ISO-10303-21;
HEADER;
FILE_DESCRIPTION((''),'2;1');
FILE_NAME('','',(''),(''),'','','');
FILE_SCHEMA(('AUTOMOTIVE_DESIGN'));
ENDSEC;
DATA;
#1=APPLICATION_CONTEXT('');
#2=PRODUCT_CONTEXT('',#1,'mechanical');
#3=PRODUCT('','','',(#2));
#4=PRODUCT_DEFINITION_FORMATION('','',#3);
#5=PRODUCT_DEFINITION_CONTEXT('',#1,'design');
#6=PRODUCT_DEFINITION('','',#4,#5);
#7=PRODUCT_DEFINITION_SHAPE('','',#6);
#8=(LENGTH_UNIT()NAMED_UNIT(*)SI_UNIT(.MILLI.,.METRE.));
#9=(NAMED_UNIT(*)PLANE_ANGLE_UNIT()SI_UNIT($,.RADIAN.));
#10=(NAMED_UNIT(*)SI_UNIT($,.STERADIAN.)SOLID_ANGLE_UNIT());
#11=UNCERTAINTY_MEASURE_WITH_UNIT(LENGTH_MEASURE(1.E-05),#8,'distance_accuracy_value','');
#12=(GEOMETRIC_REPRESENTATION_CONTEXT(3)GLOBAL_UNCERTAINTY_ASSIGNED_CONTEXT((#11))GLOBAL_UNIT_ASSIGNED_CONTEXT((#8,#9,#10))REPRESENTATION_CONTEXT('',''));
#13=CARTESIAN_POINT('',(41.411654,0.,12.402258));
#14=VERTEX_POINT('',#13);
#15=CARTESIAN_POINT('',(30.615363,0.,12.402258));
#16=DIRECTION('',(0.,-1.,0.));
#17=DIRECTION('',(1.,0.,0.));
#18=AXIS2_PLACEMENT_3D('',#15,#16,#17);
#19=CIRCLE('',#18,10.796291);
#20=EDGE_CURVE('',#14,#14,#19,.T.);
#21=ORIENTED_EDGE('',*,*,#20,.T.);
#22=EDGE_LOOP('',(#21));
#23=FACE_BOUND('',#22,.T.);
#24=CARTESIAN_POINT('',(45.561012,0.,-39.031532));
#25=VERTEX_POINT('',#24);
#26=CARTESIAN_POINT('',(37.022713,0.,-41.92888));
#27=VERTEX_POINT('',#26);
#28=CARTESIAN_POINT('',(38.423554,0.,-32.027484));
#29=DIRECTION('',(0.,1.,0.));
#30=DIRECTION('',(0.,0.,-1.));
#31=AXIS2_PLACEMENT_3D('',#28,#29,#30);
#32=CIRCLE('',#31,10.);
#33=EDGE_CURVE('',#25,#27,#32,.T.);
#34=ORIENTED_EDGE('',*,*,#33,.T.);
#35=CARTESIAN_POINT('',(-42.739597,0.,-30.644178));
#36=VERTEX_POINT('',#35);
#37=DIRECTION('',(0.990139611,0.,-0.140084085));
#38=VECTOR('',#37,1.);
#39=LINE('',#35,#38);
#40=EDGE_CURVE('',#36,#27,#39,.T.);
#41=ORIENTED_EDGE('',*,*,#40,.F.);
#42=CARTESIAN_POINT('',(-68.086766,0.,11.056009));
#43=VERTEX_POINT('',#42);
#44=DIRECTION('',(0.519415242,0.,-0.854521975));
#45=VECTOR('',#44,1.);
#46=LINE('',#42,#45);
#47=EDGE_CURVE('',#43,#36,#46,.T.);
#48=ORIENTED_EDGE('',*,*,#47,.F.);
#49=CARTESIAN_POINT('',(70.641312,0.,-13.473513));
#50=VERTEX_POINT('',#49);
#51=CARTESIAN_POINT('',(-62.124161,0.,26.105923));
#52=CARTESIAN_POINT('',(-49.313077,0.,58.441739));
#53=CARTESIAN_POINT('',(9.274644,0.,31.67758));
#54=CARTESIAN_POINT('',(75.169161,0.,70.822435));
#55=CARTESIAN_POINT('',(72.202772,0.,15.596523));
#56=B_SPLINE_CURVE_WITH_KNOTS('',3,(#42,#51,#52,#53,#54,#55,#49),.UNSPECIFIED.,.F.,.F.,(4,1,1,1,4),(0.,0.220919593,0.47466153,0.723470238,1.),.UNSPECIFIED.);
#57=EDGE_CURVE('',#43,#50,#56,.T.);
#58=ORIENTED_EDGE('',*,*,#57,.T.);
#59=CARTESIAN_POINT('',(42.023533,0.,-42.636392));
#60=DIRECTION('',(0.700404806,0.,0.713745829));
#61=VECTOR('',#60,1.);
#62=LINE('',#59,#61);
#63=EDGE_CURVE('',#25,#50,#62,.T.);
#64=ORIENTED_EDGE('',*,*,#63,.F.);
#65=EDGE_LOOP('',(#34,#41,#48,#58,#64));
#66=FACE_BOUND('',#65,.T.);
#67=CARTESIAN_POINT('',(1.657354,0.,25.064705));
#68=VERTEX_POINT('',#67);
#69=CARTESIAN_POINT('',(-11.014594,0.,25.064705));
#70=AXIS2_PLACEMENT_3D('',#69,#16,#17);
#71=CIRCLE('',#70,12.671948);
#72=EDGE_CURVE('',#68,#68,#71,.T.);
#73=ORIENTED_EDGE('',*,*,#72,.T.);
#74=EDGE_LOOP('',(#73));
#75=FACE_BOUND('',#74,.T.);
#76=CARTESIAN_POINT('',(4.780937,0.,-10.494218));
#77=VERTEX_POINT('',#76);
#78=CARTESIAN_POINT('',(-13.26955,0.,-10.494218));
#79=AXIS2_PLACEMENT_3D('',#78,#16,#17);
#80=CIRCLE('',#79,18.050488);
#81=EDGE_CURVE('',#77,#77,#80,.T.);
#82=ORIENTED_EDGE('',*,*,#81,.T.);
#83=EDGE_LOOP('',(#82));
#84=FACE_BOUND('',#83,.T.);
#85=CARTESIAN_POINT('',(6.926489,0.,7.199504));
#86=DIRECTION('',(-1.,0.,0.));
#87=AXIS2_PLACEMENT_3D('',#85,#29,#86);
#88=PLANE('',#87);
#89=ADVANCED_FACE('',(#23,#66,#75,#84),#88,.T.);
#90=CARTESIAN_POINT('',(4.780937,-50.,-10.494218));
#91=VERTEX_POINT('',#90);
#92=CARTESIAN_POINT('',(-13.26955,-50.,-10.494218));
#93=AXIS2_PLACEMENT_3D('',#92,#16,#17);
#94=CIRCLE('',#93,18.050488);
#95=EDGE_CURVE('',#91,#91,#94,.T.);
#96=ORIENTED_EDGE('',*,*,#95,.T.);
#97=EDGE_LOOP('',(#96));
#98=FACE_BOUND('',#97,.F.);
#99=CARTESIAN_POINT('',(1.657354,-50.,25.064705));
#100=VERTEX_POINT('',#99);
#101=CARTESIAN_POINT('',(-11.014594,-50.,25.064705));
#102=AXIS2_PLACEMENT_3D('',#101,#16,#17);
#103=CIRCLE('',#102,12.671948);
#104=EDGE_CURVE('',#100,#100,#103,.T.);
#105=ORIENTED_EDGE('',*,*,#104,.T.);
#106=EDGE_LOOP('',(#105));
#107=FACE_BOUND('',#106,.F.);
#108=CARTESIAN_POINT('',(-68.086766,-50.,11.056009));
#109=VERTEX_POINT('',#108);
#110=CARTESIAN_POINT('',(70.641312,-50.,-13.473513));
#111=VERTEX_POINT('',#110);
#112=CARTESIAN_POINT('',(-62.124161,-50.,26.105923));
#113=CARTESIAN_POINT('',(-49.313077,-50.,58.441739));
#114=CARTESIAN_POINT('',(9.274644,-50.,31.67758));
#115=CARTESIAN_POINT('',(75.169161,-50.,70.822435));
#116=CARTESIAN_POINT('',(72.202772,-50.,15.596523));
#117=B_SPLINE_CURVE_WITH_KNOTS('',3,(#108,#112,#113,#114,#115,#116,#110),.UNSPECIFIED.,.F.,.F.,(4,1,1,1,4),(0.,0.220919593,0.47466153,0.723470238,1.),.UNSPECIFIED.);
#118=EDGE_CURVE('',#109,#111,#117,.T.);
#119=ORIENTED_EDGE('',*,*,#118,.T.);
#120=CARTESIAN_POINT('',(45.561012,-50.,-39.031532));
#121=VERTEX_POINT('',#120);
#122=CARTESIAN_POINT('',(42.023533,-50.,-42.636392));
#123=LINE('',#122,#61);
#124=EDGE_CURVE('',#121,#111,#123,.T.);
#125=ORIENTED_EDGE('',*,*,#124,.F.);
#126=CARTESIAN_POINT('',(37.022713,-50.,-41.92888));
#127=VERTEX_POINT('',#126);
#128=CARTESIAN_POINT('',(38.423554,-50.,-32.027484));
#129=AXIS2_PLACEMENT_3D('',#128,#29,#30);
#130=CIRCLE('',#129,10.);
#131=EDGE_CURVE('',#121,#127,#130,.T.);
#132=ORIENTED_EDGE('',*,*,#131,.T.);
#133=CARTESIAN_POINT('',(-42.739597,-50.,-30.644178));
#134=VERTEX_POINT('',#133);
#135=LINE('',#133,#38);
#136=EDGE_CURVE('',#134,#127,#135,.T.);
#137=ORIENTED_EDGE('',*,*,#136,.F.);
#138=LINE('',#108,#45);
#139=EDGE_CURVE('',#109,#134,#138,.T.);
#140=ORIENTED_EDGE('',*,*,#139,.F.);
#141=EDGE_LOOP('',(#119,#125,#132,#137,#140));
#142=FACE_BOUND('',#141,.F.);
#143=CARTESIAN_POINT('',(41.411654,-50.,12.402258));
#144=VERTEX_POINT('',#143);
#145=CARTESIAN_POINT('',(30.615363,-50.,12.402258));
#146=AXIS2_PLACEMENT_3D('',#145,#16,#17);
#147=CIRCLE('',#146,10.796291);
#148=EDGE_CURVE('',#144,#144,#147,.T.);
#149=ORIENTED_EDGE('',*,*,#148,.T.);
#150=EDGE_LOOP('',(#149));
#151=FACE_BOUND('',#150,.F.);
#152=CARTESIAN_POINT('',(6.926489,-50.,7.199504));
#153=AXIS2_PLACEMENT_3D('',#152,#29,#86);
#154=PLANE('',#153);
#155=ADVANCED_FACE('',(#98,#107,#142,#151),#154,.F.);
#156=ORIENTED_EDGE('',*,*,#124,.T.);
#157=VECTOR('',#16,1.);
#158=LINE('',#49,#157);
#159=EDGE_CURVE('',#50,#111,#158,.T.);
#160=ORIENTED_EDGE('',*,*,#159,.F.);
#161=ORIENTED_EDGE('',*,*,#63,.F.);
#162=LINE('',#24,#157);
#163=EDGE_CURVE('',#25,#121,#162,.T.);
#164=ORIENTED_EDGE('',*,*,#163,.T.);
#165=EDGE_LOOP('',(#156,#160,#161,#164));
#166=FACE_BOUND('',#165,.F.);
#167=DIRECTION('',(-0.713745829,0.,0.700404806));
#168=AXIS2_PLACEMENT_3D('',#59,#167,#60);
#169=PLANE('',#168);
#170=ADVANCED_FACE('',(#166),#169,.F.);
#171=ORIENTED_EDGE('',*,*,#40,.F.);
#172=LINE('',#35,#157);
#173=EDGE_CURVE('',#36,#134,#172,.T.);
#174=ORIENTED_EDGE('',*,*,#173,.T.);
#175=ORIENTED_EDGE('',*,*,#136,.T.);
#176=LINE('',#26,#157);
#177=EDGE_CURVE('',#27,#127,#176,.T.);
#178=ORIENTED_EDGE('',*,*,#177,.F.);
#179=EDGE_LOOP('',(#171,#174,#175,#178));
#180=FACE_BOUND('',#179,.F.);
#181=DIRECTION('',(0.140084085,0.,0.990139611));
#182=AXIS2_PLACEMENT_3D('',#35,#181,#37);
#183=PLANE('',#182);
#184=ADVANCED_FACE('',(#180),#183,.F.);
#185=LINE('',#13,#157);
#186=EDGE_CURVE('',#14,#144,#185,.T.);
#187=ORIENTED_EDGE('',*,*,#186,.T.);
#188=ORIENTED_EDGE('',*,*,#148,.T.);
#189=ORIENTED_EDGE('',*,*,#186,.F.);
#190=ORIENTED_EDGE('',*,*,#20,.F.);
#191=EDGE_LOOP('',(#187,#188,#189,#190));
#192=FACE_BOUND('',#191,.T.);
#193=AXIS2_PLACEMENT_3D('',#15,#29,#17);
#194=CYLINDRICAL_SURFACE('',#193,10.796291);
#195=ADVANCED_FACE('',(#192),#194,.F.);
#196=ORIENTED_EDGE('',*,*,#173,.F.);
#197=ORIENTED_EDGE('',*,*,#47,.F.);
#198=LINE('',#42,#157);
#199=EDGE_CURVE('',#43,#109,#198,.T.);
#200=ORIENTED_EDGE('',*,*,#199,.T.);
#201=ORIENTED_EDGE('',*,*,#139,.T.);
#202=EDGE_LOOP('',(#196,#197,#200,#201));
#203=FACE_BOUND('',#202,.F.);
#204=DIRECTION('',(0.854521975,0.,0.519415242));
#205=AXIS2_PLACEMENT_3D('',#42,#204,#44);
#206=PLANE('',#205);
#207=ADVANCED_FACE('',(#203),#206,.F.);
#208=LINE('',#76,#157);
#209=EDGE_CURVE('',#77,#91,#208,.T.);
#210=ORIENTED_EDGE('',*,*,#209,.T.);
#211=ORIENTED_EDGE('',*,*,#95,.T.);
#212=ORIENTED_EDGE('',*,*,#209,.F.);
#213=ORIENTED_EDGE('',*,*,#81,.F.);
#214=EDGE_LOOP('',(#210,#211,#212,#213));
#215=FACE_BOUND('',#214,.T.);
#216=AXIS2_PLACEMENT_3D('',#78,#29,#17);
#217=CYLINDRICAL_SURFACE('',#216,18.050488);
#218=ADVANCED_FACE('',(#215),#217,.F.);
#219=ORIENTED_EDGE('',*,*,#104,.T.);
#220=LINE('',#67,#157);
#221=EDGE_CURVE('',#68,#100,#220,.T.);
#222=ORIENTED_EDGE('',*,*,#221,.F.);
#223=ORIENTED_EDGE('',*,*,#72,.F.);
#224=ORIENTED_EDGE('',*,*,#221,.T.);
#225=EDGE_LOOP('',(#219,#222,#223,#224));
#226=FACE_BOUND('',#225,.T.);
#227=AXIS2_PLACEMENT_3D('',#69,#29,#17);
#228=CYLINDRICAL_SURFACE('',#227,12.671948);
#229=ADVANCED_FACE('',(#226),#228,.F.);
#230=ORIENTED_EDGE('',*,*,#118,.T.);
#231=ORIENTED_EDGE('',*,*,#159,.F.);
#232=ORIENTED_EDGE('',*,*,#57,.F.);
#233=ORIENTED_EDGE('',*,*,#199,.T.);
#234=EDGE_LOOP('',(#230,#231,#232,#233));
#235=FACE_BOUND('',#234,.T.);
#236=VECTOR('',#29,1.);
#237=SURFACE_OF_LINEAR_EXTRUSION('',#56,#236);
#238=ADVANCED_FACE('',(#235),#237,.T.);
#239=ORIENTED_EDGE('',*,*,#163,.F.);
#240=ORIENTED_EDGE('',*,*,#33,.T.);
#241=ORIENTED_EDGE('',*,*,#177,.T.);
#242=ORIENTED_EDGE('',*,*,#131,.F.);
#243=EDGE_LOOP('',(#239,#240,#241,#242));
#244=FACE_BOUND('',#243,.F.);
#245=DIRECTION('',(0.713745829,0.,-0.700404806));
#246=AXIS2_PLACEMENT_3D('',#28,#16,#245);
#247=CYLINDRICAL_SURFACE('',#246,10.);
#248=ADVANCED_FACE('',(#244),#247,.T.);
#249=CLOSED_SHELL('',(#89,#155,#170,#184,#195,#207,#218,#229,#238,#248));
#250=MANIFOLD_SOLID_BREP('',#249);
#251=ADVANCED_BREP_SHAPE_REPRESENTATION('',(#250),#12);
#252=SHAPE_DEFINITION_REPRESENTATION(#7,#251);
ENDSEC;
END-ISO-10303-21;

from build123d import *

# Parameters (mm, degrees)
F0_R     = 18.050487637
F0_R_2   = 10.7962905291
F0_R_3   = 12.6719479167
F1_DEPTH = 50
F2_R     = 10


with BuildPart() as f1:
    # F0 (on Front) → F1 (new body)
    with BuildSketch(Plane.XZ):
        with BuildLine():
            add(Edge.make_bspline(
                [(-68.0867659093, 11.0560087651), (-62.1241605878, 26.1059229723), (-49.313077038, 58.4417389335), (9.2746440149, 31.6775795029), (75.1691613719, 70.822435211), (72.2027717002, 15.5965229505), (70.6413116541, -13.4735133734)],
                knots=[0, 0, 0, 0, 0.2209195932, 0.4746615304, 0.7234702376, 1, 1, 1, 1], degree=3))
            Line((-68.0867659093, 11.0560087651), (-42.739597179, -30.6441781387))
            Line((-42.739597179, -30.6441781387), (42.023533143, -42.6363915635))
            Line((42.023533143, -42.6363915635), (70.6413116541, -13.4735133734))
        make_face()
        with Locations((-13.269550167, -10.4942182079)):
            Circle(F0_R, mode=Mode.SUBTRACT)
        with Locations((30.61536327, 12.4022578821)):
            Circle(F0_R_2, mode=Mode.SUBTRACT)
        with Locations((-11.0145937651, 25.0647049397)):
            Circle(F0_R_3, mode=Mode.SUBTRACT)
    extrude(amount=F1_DEPTH)

    # F2
    f2_edges = [f1.edges().sort_by_distance(p)[0] for p in [
        (42.023533, -25, -42.636392),
    ]]
    fillet(f2_edges, radius=F2_R)


solid = f1.part
